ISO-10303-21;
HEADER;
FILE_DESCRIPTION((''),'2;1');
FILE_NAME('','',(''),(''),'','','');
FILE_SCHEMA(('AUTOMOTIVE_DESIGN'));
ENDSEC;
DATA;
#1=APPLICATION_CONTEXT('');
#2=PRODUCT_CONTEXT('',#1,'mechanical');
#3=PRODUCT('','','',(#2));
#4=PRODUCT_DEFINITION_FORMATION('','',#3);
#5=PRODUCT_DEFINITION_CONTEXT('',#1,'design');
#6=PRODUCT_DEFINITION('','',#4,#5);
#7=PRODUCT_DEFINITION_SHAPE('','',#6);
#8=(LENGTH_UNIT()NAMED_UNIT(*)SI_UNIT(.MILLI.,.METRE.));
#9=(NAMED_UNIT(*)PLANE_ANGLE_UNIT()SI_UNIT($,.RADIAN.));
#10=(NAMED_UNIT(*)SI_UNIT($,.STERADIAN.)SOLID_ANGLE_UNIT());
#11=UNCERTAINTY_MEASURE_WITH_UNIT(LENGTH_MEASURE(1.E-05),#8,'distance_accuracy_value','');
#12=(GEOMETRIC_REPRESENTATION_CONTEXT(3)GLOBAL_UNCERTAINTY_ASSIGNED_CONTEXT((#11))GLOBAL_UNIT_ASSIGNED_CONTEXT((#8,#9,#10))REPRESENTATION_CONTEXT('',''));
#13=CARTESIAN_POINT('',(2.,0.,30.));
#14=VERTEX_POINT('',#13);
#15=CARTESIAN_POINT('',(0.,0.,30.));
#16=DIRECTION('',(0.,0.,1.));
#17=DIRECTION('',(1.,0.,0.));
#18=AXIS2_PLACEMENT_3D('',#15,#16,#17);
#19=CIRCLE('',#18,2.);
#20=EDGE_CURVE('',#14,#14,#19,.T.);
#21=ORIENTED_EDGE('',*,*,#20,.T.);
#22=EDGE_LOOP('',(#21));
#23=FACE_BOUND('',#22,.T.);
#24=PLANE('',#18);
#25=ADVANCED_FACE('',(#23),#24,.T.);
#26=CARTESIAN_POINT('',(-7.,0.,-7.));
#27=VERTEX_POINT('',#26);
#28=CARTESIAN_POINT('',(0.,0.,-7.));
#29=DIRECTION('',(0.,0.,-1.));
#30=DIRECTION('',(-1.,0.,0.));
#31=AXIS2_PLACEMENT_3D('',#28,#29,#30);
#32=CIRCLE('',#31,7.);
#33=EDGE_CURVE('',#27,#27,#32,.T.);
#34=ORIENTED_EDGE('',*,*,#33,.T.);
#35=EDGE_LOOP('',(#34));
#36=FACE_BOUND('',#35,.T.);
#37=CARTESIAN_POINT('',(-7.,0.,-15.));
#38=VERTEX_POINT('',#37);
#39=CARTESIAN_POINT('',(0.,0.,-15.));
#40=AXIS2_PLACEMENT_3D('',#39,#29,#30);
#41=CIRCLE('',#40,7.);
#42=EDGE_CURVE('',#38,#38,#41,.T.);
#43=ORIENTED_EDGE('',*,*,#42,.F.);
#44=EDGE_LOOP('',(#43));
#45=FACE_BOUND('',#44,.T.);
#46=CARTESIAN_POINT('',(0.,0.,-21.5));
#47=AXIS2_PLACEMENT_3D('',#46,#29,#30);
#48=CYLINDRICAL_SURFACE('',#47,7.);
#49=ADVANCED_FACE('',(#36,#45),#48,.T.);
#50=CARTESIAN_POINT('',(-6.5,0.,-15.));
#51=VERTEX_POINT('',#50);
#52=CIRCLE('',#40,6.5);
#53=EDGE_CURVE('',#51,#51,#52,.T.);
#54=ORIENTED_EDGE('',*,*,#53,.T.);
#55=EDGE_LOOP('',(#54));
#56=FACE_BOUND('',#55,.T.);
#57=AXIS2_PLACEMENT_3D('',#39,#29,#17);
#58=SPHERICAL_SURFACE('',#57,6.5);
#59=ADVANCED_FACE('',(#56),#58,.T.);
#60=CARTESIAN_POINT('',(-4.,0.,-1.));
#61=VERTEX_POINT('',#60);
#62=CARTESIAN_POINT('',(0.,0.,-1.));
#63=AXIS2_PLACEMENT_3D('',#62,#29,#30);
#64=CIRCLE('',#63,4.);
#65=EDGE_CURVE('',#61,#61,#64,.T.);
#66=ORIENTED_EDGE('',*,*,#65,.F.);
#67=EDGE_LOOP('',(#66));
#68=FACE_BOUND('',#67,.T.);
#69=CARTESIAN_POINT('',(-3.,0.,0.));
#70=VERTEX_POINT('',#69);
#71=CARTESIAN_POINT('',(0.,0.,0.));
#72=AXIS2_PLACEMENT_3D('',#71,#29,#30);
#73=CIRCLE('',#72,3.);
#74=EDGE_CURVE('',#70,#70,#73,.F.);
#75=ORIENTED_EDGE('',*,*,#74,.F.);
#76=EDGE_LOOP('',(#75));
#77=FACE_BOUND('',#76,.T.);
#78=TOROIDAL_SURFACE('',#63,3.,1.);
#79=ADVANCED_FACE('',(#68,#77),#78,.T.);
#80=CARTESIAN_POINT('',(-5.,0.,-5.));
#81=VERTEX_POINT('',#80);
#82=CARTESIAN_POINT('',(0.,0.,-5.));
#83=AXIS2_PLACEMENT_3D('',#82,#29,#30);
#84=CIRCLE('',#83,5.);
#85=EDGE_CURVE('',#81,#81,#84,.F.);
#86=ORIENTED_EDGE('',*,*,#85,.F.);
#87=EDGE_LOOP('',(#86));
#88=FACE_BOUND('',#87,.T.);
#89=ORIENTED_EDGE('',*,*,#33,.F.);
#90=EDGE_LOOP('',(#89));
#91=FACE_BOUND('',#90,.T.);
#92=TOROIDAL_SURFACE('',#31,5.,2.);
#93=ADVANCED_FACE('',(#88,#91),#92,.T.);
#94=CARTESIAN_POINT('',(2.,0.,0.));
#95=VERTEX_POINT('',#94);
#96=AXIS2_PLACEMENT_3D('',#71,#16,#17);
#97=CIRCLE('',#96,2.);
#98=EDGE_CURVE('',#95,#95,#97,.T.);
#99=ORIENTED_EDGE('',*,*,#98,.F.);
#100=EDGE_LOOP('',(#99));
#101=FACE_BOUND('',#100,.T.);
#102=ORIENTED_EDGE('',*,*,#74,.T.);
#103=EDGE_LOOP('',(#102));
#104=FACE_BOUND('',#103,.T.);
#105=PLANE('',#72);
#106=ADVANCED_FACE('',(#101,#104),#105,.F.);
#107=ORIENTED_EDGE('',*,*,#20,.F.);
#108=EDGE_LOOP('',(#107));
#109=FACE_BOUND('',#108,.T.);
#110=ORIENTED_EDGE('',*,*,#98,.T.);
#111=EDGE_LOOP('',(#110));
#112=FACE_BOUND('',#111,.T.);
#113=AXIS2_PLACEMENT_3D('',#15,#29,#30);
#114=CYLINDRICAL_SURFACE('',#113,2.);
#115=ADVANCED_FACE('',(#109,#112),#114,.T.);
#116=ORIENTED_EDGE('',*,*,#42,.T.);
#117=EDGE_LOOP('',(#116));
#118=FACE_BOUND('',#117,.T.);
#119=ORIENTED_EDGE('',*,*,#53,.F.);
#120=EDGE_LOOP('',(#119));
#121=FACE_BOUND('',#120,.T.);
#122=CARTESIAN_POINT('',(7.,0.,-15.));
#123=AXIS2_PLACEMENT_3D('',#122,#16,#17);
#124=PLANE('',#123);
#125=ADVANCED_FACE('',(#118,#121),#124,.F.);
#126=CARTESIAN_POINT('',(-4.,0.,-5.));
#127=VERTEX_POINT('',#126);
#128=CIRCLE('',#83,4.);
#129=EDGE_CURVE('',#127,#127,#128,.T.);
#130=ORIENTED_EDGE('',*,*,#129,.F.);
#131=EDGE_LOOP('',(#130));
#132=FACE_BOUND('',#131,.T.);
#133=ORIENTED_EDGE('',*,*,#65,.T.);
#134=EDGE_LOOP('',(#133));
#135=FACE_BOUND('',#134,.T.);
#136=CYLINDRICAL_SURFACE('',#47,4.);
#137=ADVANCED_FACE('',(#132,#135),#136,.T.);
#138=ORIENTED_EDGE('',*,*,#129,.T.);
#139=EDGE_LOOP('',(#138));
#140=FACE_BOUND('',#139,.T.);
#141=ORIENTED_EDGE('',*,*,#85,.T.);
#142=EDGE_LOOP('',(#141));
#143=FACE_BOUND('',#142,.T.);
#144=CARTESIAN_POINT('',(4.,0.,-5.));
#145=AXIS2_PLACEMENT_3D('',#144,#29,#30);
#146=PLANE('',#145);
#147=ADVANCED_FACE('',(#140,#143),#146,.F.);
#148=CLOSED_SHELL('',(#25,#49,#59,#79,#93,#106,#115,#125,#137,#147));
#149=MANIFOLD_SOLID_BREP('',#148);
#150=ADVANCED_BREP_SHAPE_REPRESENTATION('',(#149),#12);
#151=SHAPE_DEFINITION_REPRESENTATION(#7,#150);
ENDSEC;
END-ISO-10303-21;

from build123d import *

# Parameters (mm, degrees)
SKETCH2_R           = 2
BOSS_EXTRUDE1_DEPTH = 30
FILLET1_R           = 2
FILLET2_R           = 1


with BuildPart() as part:
    # Sketch1 → Revolve1 (revolve)
    with BuildSketch(Plane(origin=(0, 0, 0), x_dir=(1, 0, 0), z_dir=(0, 1, 0))):
        with BuildLine():
            Line((0, 0), (4, 0))
            Line((4, 0), (4, 5))
            Line((4, 5), (7, 5))
            Line((7, 5), (7, 15))
            Line((7, 15), (6.5, 15))
            ThreePointArc((6.5, 15), (4.596194078, 19.596194078), (0, 21.5))
            Line((0, 21.5), (0, 0))
        make_face()
    revolve(axis=Axis((0, 0, -21.5), (0, 0, 1)))

    # Sketch2 → Boss-Extrude1 (add)
    with BuildSketch(Plane.XY):
        Circle(SKETCH2_R)
    extrude(amount=BOSS_EXTRUDE1_DEPTH)

    # Fillet1
    fillet1_edges = [part.edges().sort_by_distance(p)[0] for p in [
        (-7, 0, -5),
    ]]
    fillet(fillet1_edges, radius=FILLET1_R)

    # Fillet2
    fillet2_edges = [part.edges().sort_by_distance(p)[0] for p in [
        (-4, 0, 0),
    ]]
    fillet(fillet2_edges, radius=FILLET2_R)


solid = part.part
